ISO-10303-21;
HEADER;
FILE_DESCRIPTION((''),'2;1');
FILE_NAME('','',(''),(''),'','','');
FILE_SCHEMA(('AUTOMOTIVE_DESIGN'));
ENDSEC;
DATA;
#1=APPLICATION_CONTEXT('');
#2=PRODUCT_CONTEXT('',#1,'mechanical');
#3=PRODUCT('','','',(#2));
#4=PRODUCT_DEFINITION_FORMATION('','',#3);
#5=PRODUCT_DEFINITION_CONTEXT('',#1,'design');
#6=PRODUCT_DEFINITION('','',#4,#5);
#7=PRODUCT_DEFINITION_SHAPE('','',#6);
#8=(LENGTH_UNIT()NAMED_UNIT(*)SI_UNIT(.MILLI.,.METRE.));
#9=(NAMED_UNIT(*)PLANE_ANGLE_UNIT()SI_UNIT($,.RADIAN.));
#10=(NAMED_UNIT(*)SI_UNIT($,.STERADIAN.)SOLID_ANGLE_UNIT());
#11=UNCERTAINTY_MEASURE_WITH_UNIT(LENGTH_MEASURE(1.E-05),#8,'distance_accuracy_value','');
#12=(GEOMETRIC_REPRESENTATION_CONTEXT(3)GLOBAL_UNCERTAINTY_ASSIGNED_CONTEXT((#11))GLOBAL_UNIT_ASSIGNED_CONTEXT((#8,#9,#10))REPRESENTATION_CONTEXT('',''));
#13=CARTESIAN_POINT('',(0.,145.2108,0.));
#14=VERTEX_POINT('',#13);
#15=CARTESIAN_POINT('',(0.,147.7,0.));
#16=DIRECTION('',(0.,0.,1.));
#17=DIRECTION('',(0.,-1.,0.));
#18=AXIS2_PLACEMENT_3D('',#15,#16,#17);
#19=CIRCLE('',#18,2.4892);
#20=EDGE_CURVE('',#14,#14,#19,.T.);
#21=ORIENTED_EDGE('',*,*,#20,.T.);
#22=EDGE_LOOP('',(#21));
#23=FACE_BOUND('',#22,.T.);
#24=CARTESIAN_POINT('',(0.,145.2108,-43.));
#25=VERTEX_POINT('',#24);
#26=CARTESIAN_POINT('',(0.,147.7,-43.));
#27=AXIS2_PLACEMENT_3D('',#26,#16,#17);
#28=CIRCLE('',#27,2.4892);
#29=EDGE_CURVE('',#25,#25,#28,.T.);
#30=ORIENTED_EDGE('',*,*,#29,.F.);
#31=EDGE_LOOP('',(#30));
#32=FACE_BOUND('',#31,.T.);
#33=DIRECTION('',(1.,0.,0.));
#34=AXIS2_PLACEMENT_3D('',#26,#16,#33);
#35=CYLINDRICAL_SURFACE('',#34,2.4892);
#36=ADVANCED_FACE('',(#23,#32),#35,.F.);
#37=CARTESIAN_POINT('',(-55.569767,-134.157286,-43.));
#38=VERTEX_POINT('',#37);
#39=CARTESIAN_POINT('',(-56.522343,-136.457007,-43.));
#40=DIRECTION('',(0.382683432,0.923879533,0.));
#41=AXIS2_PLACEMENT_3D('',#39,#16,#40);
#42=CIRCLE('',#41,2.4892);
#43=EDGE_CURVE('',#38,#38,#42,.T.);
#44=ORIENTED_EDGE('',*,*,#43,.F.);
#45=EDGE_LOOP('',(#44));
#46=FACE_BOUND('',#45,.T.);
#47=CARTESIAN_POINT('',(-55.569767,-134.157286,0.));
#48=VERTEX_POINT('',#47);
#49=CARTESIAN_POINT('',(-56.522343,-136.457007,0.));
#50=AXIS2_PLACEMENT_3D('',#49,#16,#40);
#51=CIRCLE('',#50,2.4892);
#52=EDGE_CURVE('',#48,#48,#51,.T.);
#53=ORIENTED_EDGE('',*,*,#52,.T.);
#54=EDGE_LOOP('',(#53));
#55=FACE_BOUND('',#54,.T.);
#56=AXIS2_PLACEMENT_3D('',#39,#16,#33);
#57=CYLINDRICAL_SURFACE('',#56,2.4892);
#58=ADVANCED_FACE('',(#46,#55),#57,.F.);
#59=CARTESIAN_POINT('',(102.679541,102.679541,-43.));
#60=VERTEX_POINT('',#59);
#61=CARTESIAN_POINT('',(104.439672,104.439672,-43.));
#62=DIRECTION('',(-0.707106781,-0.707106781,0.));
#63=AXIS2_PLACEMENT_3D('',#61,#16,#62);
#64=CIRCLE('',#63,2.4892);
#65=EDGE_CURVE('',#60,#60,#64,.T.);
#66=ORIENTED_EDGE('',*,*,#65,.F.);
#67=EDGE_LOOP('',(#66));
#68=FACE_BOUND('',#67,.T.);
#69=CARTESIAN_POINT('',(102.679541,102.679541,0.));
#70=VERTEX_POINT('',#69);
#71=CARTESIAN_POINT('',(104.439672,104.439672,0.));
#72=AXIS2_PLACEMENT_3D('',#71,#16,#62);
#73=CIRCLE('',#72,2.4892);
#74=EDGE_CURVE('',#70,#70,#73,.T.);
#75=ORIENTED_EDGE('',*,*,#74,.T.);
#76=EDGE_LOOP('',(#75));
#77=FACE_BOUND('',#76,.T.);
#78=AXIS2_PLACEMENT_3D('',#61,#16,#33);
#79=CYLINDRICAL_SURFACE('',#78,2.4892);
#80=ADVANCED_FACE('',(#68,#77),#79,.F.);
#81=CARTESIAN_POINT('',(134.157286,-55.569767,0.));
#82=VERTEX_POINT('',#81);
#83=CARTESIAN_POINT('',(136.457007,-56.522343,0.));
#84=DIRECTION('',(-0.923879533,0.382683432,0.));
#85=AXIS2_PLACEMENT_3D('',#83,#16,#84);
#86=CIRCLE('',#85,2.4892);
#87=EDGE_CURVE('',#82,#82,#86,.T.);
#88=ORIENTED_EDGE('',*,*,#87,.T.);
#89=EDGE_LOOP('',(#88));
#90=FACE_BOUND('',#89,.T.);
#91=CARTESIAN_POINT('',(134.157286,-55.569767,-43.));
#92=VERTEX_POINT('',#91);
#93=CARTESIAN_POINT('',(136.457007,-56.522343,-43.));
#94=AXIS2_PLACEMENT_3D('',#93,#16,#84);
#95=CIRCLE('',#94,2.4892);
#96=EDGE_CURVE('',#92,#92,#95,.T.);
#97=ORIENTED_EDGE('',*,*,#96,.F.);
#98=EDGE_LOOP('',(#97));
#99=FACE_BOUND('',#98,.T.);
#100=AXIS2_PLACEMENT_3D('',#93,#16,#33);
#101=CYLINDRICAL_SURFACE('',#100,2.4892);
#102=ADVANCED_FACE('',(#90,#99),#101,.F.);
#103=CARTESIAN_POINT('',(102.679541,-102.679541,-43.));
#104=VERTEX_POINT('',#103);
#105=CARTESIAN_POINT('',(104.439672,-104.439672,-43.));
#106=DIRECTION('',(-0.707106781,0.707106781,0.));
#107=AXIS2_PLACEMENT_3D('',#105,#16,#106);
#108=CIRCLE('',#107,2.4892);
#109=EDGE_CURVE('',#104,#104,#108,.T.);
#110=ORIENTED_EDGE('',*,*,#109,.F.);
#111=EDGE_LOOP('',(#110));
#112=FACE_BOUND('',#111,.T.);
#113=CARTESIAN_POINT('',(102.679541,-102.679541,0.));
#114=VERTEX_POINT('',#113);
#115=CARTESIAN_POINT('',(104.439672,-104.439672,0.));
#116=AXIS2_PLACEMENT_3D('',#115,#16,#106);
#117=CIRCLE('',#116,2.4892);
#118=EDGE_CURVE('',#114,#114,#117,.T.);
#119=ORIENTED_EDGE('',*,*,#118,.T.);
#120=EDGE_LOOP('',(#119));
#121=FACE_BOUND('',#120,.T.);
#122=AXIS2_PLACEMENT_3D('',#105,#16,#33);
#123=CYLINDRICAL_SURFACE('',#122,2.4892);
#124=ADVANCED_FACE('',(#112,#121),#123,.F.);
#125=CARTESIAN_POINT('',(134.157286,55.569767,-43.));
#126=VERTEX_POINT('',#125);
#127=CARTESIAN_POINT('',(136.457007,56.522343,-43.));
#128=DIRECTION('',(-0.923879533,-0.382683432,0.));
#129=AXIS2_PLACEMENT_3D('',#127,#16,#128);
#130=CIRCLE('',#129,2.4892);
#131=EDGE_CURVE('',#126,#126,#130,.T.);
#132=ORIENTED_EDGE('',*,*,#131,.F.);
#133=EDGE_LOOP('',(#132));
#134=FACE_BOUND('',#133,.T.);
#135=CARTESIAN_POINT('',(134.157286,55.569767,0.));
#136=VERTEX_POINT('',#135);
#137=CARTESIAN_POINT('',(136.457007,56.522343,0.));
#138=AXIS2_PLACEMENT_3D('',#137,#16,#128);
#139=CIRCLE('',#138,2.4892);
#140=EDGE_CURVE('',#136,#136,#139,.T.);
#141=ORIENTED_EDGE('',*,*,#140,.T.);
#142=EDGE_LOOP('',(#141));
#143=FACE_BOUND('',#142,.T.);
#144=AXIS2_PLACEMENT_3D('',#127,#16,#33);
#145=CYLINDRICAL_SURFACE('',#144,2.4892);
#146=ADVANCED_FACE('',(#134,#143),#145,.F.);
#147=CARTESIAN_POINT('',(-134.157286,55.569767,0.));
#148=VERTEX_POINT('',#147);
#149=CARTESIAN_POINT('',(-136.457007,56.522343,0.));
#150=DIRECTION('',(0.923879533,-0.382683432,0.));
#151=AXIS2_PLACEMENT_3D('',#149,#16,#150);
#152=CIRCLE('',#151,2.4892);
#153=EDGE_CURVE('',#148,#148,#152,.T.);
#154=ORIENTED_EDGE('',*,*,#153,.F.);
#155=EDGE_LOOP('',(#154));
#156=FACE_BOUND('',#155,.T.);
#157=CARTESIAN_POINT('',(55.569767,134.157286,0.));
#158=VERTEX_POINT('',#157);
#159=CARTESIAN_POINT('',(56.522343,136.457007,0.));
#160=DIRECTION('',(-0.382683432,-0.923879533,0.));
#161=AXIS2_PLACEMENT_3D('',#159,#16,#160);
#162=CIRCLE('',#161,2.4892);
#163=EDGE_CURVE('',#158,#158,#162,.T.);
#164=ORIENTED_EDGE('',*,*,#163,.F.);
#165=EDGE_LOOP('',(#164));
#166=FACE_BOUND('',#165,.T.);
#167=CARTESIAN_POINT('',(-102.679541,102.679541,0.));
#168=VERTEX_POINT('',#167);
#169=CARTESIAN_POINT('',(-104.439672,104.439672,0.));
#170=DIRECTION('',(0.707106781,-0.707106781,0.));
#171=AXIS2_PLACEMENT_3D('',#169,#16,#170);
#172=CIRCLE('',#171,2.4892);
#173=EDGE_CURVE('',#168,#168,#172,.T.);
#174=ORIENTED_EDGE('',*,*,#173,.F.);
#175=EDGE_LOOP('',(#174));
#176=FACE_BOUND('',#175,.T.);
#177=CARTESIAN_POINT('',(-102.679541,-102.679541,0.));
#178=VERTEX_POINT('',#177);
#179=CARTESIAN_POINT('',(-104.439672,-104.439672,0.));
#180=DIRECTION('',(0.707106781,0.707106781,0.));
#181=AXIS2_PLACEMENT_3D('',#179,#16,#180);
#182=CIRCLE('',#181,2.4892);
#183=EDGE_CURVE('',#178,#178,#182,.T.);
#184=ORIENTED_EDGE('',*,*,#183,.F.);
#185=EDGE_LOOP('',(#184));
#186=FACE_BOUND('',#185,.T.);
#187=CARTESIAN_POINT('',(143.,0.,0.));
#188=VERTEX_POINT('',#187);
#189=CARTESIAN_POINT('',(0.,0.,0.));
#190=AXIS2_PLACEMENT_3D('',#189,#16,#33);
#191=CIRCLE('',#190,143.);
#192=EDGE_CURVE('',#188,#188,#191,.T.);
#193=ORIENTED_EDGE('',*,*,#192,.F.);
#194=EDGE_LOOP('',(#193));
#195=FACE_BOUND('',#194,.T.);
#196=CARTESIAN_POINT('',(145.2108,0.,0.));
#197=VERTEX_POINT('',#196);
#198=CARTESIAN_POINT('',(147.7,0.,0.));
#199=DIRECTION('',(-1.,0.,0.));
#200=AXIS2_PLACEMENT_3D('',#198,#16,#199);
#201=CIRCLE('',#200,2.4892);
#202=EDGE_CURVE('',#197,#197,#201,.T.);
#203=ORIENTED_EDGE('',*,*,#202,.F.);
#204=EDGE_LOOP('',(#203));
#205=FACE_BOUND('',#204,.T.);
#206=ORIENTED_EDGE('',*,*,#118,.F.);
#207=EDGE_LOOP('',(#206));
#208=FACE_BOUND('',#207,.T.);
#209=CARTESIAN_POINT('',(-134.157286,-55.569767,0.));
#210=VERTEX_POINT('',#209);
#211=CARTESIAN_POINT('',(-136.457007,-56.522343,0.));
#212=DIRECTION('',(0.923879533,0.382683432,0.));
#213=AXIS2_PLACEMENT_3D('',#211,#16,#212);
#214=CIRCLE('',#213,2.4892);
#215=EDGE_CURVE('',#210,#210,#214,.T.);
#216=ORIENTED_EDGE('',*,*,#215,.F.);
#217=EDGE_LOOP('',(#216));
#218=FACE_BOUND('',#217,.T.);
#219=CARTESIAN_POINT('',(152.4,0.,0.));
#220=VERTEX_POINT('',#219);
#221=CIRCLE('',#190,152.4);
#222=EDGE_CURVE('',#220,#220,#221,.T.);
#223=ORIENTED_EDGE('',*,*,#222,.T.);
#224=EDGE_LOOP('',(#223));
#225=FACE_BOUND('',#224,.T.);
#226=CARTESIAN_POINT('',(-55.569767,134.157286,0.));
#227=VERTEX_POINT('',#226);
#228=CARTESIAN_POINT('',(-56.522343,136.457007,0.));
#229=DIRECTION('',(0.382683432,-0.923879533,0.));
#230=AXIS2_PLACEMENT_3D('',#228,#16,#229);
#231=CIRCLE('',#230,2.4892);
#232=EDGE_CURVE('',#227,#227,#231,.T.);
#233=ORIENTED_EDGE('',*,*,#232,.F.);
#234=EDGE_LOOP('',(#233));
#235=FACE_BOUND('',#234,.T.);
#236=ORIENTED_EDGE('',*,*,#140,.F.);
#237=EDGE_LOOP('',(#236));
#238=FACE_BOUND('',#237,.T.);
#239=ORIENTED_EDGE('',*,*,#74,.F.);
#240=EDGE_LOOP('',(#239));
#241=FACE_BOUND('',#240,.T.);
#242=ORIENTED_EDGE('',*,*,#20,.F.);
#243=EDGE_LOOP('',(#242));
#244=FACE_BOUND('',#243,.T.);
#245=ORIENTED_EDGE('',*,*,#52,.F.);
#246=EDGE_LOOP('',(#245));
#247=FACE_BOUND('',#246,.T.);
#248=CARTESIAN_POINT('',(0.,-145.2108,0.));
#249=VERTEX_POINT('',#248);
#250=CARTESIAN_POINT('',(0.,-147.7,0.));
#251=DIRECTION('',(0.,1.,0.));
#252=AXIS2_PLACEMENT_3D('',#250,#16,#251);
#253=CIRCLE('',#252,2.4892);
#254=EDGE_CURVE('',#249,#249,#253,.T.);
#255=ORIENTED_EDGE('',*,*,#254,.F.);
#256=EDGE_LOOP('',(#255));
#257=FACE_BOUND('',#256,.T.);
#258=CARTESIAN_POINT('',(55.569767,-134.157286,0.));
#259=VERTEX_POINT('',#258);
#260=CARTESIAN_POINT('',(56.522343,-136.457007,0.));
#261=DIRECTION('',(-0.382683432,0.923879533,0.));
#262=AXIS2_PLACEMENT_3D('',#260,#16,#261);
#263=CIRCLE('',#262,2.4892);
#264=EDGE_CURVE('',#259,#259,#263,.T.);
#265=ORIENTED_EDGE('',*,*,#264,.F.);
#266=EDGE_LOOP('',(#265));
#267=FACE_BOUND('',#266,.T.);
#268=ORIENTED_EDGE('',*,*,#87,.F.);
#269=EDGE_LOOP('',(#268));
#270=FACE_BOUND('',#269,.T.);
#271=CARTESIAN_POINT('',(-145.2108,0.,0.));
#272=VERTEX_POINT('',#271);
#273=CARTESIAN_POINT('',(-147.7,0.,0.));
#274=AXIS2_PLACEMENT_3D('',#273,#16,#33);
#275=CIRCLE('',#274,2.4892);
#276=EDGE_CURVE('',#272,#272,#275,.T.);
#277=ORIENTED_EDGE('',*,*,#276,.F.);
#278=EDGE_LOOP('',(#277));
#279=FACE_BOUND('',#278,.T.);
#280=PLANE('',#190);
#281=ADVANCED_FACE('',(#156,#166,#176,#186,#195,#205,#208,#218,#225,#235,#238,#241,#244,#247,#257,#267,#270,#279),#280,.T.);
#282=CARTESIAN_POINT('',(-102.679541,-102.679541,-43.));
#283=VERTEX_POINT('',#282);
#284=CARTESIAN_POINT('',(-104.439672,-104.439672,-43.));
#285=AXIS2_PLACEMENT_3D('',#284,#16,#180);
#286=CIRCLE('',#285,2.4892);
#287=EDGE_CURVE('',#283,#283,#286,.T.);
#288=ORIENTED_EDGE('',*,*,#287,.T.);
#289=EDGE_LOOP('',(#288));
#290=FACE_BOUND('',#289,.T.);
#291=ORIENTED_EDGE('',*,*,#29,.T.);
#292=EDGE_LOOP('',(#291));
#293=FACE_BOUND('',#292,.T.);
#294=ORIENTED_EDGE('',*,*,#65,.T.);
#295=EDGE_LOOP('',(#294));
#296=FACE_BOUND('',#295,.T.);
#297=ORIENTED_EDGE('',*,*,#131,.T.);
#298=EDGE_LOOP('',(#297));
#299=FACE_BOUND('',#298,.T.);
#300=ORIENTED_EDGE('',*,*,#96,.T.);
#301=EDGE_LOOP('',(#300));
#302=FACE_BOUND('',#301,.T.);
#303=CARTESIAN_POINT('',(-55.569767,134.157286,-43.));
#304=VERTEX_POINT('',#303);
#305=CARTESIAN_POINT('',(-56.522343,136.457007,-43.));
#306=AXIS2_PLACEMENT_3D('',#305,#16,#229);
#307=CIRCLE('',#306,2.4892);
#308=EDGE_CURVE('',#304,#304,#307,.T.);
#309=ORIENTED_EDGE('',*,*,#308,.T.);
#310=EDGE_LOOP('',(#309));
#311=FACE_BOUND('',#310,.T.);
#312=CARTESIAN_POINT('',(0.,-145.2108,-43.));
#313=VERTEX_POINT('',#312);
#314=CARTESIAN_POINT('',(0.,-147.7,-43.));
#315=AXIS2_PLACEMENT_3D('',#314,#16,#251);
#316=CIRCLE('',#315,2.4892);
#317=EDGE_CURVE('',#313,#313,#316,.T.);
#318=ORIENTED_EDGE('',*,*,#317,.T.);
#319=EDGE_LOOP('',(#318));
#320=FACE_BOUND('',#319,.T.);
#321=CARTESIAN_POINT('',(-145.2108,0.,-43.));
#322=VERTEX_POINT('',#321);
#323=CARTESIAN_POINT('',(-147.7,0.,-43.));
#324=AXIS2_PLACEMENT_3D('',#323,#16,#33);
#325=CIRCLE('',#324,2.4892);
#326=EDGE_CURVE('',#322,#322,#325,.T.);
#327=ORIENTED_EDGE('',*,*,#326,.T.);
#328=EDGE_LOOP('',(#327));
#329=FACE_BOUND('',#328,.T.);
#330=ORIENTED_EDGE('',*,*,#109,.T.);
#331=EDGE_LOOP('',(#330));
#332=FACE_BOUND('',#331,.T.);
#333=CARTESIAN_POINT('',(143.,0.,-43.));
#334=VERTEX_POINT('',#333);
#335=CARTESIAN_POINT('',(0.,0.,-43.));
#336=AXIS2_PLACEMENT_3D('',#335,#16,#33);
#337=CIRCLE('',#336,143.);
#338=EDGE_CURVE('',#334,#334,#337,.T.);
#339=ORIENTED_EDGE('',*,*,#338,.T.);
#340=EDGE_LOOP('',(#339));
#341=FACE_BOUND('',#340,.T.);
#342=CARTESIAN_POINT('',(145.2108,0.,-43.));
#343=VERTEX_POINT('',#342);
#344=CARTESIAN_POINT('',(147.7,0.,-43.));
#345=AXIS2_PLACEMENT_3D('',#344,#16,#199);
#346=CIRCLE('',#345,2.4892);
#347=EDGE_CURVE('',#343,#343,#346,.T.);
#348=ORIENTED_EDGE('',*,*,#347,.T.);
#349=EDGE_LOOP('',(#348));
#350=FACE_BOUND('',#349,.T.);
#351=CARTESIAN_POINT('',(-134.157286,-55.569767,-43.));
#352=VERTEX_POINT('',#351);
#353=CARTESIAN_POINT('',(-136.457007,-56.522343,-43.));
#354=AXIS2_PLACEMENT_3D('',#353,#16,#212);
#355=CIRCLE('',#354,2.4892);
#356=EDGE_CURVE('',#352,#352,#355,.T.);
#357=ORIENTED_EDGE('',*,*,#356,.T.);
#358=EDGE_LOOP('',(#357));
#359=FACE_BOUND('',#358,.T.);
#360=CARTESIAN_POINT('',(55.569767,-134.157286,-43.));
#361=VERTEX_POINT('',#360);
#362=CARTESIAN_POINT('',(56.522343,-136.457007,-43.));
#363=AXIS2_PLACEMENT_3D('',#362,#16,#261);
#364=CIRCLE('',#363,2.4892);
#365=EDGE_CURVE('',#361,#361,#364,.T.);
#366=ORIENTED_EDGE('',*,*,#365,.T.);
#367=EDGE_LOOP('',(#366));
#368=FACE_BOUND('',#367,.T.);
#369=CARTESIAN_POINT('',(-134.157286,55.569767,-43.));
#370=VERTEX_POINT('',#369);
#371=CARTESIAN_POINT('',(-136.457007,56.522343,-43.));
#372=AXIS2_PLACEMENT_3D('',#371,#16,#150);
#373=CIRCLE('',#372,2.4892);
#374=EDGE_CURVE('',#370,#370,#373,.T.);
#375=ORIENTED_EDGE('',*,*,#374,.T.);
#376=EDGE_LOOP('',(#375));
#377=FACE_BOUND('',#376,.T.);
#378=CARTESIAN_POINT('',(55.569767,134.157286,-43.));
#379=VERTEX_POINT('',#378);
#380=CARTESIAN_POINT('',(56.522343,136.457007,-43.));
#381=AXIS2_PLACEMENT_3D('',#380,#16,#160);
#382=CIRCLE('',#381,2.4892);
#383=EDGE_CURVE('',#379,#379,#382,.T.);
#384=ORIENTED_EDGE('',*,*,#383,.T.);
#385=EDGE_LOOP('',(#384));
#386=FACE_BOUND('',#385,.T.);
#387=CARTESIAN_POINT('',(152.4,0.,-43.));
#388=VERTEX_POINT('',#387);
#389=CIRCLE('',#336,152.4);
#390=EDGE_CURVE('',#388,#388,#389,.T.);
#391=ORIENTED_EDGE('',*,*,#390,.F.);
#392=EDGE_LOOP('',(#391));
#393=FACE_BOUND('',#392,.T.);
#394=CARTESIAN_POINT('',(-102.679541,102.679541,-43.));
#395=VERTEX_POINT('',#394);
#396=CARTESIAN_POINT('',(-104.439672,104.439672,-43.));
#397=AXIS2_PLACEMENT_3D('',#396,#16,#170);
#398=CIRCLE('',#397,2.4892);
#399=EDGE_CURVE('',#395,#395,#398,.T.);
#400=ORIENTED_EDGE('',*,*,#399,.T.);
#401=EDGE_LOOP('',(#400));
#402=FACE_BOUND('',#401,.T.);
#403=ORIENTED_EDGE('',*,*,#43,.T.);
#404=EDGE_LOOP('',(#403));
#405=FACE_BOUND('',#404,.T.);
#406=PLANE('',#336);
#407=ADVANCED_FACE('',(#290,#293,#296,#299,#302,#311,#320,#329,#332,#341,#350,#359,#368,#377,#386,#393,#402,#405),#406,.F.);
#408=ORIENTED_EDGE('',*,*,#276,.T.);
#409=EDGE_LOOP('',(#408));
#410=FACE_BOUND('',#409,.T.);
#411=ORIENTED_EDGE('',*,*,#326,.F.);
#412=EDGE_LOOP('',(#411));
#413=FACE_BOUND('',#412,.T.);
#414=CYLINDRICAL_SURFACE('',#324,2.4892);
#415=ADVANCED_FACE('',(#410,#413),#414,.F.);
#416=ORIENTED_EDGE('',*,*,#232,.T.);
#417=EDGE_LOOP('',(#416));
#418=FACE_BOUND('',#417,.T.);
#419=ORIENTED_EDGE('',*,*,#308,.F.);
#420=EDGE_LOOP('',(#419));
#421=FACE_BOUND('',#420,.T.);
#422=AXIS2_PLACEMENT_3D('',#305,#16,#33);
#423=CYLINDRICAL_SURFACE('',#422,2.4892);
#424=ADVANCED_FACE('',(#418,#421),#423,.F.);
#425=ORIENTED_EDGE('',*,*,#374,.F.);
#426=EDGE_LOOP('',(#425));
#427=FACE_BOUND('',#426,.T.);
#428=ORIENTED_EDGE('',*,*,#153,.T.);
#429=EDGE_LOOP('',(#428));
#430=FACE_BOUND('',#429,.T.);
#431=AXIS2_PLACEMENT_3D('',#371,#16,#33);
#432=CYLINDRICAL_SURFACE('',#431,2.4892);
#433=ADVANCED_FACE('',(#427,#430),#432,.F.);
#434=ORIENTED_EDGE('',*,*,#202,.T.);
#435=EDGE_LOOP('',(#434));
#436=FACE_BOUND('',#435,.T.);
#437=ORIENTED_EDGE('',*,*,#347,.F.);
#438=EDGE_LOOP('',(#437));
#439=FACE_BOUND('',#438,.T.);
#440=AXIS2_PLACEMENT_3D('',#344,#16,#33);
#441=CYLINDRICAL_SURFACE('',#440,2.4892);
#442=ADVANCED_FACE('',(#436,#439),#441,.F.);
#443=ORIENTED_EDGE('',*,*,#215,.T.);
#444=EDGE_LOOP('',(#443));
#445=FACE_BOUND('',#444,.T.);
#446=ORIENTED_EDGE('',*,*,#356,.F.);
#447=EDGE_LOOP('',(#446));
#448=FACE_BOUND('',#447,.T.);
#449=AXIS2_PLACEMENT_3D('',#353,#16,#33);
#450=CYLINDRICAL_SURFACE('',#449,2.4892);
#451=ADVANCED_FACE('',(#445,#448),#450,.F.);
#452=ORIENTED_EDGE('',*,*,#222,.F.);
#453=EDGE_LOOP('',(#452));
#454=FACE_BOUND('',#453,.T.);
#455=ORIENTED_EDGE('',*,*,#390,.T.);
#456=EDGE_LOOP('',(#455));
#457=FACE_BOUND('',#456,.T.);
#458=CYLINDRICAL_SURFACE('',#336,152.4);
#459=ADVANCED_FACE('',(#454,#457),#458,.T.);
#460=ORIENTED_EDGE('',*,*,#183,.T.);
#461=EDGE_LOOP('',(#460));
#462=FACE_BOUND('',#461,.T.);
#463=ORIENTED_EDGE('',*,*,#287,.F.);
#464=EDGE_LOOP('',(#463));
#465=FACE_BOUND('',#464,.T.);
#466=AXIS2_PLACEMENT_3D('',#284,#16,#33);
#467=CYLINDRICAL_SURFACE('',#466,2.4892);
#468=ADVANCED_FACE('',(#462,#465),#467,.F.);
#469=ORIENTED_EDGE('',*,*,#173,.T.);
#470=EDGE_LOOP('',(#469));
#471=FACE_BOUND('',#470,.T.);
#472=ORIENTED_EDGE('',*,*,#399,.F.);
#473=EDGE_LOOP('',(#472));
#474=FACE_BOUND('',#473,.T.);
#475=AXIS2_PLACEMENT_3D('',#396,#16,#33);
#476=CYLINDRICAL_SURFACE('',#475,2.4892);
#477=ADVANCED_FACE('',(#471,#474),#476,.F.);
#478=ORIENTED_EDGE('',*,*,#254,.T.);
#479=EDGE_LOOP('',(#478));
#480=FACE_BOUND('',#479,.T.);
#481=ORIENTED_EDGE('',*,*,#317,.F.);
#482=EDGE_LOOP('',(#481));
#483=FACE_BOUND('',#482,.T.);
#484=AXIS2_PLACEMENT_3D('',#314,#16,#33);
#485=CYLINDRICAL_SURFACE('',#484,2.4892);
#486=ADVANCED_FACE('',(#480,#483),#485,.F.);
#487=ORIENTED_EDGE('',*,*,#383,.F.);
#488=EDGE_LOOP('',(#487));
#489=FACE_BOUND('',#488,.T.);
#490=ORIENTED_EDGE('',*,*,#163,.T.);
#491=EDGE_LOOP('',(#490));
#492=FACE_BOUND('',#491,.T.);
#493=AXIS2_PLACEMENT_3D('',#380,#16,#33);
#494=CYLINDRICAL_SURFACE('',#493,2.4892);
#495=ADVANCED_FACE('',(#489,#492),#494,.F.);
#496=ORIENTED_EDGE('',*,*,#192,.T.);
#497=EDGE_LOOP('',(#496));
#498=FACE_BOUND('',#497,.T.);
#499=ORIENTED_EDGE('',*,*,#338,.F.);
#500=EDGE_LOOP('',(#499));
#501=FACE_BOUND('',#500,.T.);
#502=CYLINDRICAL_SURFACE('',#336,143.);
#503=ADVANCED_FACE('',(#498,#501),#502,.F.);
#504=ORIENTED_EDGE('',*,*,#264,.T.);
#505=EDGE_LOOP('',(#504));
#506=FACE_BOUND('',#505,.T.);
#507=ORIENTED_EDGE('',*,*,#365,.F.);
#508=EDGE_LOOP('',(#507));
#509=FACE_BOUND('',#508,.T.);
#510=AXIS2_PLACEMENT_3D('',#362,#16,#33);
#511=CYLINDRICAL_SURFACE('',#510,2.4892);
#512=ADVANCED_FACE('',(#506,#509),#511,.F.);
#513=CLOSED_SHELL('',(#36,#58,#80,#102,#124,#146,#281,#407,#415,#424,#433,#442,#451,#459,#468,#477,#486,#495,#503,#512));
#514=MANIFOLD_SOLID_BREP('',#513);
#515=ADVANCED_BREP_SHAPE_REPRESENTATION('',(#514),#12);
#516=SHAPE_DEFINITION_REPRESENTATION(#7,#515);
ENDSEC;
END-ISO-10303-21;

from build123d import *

# Parameters (mm, degrees)
SKETCH1_R           = 152.4
SKETCH1_R_2         = 143
BOSS_EXTRUDE1_DEPTH = 43
SKETCH1_3_R         = 2.4892
CUT_EXTRUDE1_DEPTH  = 220.773792796
CIRPATTERN1_COUNT   = 16


with BuildPart() as part:
    # Sketch1 → Boss-Extrude1 (new body)
    with BuildSketch(Plane(origin=(0, 0, 0), x_dir=(0, 1, 0), z_dir=(0, 0, 1))):
        Circle(SKETCH1_R)
        Circle(SKETCH1_R_2, mode=Mode.SUBTRACT)
    extrude(amount=-BOSS_EXTRUDE1_DEPTH)

    # Sketch1<3> → Cut-Extrude1 (cut, through all)
    with BuildSketch(Plane(origin=(0, 0, 0), x_dir=(0, 1, 0), z_dir=(0, 0, 1))):
        with Locations((0, 147.7)):
            Circle(SKETCH1_3_R)
    cut_extrude1 = extrude(amount=-CUT_EXTRUDE1_DEPTH, mode=Mode.SUBTRACT)

    # CirPattern1: Cut-Extrude1 ×16 about axis
    cirpattern1_axis = Axis((0, 0, -43), (0, 0, 1))
    for i in range(1, CIRPATTERN1_COUNT):
        add(cut_extrude1.rotate(cirpattern1_axis, i * 360 / CIRPATTERN1_COUNT), mode=Mode.SUBTRACT)


solid = part.part
